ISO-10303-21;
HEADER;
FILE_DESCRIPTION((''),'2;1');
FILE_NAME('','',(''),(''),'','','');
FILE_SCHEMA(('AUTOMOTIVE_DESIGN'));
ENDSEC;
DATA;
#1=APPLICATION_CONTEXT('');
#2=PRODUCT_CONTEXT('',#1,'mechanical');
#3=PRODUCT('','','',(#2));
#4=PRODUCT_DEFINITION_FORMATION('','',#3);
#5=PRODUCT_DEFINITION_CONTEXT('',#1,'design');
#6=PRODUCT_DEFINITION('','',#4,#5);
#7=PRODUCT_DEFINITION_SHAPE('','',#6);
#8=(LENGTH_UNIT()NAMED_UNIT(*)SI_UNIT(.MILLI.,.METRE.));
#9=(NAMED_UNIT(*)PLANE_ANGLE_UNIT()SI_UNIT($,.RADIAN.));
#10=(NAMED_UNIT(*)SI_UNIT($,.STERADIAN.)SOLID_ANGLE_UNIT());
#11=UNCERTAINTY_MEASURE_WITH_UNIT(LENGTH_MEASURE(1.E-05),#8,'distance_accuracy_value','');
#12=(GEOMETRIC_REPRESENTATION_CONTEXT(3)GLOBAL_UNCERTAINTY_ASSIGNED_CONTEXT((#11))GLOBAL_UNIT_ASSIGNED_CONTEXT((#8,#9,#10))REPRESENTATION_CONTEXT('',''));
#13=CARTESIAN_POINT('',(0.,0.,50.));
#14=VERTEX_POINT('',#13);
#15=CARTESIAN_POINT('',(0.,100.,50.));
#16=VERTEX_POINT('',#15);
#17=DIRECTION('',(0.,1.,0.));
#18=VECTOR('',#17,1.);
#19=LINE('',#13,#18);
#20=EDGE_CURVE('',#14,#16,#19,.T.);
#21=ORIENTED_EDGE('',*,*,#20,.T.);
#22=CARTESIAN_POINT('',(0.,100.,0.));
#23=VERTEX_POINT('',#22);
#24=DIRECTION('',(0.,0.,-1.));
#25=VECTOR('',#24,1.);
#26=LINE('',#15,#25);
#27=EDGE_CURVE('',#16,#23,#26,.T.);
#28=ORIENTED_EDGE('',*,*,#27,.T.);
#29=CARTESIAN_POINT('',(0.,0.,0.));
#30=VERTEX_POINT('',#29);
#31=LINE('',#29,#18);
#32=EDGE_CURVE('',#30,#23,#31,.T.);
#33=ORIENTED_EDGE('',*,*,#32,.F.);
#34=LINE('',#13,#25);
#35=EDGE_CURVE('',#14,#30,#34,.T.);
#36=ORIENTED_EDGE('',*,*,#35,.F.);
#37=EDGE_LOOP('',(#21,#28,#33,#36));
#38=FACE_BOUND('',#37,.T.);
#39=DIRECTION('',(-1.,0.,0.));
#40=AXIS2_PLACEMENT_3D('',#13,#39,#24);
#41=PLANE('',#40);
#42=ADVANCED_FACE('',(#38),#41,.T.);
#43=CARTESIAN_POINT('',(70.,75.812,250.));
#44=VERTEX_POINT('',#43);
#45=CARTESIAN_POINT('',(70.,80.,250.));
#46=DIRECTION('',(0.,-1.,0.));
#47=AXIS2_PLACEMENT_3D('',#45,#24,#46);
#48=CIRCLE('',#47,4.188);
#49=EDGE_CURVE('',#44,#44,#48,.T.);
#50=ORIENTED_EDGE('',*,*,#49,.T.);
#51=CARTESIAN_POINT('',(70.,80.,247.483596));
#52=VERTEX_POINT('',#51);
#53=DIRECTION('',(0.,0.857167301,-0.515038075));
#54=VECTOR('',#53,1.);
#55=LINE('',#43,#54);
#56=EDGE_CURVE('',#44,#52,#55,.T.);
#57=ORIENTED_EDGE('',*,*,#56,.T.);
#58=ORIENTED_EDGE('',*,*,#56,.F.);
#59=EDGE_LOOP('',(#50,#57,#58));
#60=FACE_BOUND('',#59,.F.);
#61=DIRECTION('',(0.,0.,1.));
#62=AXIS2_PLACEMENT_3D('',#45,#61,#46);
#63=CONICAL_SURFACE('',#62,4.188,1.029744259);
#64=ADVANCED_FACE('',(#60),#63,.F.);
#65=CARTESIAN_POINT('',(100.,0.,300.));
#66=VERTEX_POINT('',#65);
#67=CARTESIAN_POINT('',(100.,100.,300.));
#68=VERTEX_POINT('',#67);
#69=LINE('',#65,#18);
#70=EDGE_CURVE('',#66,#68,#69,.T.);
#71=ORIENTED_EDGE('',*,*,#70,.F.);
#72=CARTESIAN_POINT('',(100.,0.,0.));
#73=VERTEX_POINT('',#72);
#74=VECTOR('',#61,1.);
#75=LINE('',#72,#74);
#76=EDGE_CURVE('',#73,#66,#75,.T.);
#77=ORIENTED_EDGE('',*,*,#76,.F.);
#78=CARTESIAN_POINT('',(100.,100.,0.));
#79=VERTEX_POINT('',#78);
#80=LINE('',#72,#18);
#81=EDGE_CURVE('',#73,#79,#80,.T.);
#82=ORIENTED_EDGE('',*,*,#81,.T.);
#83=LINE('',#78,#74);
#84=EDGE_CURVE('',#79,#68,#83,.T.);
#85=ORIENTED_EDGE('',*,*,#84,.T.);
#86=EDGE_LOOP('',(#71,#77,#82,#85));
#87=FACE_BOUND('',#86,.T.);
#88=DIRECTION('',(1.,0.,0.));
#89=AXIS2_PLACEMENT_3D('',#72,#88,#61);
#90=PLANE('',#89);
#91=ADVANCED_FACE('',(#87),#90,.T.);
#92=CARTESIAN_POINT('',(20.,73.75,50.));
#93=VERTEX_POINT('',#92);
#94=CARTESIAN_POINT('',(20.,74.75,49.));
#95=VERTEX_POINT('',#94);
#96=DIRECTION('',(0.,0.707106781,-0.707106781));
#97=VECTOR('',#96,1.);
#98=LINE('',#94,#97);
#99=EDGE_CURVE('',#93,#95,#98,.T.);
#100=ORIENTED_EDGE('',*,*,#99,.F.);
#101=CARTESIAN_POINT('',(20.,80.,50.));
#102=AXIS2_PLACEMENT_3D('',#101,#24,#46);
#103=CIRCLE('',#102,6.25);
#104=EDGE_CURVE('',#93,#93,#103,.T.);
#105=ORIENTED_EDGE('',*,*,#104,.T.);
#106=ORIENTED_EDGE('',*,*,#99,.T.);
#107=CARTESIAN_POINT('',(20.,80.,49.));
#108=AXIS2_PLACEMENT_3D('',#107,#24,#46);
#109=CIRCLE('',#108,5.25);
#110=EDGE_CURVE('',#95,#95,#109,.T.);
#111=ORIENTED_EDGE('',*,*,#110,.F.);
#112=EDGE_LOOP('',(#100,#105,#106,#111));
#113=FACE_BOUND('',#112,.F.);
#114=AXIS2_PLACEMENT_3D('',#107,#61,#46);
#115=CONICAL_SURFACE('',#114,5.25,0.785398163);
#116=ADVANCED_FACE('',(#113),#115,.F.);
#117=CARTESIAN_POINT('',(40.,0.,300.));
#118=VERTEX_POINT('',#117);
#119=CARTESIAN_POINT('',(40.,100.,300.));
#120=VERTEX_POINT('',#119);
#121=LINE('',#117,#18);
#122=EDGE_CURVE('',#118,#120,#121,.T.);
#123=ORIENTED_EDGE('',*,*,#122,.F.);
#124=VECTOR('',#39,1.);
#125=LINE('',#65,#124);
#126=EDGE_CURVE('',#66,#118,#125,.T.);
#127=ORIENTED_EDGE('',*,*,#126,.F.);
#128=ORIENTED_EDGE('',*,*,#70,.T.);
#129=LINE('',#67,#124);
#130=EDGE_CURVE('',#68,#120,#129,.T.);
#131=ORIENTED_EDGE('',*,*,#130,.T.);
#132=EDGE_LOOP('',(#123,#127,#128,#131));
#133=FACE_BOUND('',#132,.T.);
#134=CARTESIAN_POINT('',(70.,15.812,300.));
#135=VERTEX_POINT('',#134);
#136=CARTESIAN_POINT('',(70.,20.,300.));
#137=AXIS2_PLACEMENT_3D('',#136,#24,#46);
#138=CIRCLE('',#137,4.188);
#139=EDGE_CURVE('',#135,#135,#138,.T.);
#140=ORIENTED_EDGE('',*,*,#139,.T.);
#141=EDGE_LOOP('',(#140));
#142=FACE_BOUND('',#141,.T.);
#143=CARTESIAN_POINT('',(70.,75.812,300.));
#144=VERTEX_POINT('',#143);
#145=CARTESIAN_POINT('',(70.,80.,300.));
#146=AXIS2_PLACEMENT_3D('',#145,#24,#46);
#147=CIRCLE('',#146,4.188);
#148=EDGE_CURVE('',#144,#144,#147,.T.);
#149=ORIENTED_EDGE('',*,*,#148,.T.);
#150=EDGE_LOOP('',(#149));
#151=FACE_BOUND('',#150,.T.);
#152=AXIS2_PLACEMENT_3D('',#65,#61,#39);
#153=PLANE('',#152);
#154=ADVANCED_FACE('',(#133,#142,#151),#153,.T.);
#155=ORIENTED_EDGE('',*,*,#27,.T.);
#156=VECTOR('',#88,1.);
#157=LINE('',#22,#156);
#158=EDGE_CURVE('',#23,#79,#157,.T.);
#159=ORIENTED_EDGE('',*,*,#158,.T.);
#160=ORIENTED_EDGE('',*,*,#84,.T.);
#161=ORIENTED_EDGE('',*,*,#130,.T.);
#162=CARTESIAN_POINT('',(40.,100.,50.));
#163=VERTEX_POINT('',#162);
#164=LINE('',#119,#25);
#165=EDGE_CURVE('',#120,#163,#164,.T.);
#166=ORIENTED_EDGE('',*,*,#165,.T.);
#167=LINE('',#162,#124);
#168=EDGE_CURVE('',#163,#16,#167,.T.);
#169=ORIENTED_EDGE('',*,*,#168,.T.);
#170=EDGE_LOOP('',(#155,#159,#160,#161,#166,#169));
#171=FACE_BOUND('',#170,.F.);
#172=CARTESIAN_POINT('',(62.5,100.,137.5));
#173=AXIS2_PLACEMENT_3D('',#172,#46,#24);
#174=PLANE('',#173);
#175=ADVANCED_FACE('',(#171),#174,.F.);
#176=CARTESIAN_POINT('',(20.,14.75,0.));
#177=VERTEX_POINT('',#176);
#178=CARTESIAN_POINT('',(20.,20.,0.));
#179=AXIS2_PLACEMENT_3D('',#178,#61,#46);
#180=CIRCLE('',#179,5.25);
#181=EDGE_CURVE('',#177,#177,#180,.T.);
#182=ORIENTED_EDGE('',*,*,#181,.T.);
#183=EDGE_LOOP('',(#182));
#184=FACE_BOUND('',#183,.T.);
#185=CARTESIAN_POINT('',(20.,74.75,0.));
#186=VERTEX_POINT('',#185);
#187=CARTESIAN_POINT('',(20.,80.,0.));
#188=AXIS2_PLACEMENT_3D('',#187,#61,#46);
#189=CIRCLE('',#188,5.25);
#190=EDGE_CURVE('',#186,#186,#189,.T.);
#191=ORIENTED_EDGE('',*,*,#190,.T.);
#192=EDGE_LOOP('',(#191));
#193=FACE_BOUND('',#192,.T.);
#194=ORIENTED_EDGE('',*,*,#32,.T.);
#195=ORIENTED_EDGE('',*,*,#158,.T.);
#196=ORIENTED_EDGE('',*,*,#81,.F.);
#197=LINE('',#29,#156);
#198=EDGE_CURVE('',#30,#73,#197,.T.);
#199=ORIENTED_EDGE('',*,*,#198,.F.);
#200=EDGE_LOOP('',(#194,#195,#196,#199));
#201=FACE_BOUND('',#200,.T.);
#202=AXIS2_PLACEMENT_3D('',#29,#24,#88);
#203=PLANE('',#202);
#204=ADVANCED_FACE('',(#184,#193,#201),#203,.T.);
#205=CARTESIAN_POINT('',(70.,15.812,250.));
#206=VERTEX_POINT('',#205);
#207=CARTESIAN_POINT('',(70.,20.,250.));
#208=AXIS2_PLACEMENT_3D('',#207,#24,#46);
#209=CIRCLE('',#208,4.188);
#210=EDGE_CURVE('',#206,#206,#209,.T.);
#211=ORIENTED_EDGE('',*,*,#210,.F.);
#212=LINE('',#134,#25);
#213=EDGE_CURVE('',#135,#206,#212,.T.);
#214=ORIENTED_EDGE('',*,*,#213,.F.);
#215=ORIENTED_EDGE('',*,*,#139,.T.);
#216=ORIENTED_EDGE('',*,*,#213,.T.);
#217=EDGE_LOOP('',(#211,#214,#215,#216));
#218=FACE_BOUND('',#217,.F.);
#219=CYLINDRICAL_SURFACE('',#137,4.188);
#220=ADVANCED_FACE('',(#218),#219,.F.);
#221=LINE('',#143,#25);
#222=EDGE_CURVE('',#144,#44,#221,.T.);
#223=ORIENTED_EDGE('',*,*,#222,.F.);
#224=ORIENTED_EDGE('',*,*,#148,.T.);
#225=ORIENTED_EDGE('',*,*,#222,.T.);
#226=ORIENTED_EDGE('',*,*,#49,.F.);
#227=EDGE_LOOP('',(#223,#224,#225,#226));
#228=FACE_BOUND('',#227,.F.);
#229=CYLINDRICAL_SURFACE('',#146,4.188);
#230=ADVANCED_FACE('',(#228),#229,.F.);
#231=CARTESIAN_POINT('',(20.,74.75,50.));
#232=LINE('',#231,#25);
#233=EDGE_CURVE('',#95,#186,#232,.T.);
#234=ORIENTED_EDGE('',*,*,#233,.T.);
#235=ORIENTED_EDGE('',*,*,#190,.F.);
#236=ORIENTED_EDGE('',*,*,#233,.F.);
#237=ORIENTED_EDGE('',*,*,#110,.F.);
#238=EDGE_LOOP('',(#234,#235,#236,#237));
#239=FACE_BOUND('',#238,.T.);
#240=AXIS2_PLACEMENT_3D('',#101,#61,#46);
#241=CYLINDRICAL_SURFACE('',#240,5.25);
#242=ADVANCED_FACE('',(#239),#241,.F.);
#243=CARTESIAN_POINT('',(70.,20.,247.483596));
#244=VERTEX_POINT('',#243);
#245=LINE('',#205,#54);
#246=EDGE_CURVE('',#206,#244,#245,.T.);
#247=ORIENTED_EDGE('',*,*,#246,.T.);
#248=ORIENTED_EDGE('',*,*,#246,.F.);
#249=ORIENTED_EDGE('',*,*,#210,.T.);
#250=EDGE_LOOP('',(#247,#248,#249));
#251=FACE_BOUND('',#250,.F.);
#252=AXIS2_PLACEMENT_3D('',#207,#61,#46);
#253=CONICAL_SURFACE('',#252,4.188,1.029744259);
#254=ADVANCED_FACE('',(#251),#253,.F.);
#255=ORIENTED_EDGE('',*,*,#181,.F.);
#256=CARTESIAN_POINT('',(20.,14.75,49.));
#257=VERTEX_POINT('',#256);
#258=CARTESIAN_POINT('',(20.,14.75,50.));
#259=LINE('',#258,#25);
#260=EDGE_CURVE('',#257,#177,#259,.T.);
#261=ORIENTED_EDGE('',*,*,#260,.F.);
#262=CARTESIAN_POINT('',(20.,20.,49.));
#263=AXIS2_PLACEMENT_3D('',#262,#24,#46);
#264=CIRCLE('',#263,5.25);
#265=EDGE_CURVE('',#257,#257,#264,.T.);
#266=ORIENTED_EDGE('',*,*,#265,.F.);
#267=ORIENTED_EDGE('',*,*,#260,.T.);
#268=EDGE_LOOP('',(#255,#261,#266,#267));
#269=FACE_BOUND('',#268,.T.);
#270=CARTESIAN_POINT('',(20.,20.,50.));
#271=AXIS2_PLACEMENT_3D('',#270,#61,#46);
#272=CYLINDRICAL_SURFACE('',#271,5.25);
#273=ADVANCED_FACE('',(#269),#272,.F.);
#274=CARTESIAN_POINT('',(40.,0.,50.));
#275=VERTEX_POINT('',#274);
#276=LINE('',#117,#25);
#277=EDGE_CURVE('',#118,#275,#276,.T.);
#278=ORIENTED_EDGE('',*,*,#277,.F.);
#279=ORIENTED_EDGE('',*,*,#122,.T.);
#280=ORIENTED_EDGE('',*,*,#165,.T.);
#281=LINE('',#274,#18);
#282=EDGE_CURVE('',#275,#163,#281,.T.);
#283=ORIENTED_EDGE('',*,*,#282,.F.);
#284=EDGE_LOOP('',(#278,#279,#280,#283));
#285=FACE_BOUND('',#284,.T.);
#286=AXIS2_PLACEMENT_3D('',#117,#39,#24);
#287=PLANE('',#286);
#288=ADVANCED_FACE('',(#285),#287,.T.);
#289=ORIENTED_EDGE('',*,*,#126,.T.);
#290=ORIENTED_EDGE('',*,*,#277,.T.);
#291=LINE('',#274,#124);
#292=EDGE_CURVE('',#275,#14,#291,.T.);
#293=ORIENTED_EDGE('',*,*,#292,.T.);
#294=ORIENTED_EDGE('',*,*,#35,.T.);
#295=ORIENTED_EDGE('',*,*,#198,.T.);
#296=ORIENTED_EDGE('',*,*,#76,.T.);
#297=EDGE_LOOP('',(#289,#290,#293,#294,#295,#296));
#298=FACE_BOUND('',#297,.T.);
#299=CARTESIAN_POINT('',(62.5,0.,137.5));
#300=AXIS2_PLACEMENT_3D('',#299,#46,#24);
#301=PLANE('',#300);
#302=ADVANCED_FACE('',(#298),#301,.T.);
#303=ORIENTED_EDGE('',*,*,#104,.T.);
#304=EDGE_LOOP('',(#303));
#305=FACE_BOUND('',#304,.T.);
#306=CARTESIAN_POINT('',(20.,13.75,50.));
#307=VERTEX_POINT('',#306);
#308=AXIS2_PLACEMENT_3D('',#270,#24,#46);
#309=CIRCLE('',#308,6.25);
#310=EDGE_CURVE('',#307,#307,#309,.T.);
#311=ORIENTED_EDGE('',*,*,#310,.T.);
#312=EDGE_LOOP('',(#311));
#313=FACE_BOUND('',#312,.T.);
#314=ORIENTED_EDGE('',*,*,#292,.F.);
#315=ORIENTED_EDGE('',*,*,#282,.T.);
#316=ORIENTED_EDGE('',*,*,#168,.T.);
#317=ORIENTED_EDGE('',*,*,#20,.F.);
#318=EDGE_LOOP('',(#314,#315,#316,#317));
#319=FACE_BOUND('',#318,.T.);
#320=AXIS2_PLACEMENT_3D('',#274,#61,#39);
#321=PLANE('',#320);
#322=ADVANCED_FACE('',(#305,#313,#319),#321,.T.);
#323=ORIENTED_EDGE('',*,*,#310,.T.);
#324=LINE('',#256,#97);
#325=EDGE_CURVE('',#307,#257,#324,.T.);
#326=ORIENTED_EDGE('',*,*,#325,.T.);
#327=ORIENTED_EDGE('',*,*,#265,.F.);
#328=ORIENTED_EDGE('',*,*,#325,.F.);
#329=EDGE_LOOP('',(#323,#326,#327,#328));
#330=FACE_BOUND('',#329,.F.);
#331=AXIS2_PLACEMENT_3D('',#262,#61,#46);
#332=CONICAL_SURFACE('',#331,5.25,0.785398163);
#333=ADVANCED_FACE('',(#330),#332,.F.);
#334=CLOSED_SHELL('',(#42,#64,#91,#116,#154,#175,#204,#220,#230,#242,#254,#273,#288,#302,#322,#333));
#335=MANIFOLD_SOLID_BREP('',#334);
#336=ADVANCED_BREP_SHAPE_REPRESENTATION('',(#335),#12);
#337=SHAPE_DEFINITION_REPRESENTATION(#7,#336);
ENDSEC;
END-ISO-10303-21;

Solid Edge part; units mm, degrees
sketch "Sketch1" plane through (0, 0, 0) normal (0, -1, 0) x (1, 0, 0)
  line L0 (100, 0) -> (100, 300)
  line L1 (100, 300) -> (40, 300)
  line L2 (40, 300) -> (40, 50)
  line L3 (40, 50) -> (0, 50)
  line L4 (0, 50) -> (0, 0)
  line L5 (0, 0) -> (100, 0)
extrude "Protrusion1" add sketch "Sketch1" against normal blind 100
hole "Bohrung_1" at (20, 20, 50) direction (0, 0, -1) diameter 10.5 end up to next start chamfer 1 start chamfer angle 45
hole "Hole1" at (20, 80, 50) direction (0, 0, -1) diameter 10.5 end up to next start chamfer 1 start chamfer angle 45
hole "Bohrung_3" at (70, 20, 300) direction (0, 0, -1) diameter 8.376 depth 50 tip angle 118
hole "Hole2" at (70, 80, 300) direction (0, 0, -1) diameter 8.376 depth 50 tip angle 118
